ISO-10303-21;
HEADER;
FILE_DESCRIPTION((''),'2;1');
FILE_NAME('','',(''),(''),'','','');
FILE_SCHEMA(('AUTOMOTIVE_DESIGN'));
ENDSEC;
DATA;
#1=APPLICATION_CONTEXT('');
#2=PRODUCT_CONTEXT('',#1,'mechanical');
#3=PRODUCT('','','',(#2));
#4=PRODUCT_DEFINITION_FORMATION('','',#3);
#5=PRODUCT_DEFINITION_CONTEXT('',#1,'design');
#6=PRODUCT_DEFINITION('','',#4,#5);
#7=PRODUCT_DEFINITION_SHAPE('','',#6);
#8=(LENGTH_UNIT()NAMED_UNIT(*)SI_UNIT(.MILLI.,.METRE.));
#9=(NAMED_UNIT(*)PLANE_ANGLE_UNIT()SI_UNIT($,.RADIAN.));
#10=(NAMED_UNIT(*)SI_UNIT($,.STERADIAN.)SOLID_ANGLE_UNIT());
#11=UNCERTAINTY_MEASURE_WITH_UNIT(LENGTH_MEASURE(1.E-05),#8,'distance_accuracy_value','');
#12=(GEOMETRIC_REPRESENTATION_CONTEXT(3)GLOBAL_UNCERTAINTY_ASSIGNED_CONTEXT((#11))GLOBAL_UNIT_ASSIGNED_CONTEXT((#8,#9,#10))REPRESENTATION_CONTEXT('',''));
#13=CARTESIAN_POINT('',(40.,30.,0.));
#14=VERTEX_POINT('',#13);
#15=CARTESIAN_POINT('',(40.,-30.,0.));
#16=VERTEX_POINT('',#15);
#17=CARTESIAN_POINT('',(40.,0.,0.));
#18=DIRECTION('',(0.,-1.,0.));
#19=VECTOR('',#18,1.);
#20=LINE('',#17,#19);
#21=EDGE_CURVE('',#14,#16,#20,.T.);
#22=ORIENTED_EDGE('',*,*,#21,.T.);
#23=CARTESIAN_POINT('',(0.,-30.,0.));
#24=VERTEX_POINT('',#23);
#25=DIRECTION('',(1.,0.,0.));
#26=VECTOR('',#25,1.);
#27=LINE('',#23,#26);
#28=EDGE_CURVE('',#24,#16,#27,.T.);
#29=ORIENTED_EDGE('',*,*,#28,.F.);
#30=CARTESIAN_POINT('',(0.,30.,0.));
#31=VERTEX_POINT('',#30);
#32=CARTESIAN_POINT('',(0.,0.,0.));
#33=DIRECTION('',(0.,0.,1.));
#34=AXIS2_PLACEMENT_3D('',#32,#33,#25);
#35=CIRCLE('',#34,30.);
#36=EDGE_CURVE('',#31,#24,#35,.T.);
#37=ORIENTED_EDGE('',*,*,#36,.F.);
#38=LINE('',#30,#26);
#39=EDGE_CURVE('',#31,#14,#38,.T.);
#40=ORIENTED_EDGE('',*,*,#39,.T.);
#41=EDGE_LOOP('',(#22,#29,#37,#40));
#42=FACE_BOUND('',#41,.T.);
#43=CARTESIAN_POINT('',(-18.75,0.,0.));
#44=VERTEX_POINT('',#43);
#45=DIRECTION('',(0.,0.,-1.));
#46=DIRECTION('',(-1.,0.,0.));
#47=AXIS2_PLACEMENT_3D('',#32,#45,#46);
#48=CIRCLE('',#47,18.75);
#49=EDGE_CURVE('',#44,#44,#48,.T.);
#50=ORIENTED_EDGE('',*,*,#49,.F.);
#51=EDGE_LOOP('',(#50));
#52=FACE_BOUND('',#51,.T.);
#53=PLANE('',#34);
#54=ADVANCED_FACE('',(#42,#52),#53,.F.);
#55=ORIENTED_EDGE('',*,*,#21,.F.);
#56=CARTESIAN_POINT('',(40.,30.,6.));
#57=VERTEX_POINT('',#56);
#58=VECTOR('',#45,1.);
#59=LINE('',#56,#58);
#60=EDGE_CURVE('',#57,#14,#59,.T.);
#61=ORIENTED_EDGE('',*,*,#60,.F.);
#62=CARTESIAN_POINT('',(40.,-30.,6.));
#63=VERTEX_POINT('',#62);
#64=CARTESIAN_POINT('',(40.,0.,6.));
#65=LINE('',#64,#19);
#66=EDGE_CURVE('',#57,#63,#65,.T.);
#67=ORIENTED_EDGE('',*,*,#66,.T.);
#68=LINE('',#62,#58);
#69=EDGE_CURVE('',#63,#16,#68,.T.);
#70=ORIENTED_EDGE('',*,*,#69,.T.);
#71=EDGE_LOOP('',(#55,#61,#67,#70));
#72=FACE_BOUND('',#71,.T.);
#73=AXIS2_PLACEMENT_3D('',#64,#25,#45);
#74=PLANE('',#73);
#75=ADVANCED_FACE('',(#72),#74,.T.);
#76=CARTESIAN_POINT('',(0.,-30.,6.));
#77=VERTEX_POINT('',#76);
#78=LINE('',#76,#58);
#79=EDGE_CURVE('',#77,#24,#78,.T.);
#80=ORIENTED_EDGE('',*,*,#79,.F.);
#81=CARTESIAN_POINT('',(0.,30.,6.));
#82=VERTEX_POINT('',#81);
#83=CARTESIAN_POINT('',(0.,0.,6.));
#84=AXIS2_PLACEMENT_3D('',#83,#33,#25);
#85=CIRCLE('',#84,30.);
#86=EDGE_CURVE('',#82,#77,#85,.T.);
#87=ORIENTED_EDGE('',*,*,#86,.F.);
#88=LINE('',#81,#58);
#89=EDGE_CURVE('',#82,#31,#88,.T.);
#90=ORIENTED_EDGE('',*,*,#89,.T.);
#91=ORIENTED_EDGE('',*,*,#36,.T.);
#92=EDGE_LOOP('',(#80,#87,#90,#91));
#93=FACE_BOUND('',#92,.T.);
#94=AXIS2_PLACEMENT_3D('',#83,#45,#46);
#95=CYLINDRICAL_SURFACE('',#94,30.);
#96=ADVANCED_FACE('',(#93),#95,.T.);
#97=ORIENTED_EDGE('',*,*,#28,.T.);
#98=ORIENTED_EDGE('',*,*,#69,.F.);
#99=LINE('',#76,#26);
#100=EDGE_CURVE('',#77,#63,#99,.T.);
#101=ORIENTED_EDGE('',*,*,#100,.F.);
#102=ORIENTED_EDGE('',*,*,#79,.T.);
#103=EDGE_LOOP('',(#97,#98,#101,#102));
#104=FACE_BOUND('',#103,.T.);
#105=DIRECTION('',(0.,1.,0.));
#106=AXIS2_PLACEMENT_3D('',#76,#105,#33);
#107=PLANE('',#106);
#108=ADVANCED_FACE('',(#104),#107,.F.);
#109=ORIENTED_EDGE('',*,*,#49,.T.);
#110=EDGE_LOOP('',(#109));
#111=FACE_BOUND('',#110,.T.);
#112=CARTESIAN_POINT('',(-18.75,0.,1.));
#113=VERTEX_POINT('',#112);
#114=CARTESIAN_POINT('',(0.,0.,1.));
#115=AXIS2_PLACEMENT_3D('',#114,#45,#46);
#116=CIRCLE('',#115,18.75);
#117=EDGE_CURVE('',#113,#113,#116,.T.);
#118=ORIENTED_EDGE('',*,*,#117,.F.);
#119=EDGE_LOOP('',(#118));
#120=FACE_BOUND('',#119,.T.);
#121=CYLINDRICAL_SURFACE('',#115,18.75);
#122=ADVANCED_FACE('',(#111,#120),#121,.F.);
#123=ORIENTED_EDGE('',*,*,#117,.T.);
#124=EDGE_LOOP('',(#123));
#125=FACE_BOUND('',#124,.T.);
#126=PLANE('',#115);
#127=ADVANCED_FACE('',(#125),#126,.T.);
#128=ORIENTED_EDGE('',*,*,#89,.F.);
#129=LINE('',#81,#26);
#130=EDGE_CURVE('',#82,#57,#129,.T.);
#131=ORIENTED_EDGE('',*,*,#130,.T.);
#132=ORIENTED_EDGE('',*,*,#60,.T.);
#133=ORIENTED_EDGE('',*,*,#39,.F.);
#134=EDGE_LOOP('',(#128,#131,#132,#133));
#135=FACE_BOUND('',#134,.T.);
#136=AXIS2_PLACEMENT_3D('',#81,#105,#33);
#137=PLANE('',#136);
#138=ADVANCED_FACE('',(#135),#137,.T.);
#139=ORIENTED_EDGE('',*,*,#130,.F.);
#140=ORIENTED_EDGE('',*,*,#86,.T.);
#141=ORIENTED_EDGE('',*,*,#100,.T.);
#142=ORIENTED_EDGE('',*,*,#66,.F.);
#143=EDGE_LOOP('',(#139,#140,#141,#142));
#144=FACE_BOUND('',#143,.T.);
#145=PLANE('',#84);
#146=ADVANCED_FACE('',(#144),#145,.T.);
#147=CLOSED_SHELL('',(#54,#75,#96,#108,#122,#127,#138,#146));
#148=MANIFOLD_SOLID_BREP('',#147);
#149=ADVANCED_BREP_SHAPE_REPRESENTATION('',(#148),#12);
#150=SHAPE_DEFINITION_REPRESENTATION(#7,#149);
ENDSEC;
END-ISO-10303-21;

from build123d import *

# Parameters (mm, degrees)
EXTRUDE_1_DEPTH     = 6
SKETCH_2_R          = 18.75
CUT_EXTRUDE_1_DEPTH = 1


with BuildPart() as part:
    # 草图1 → 凸台-拉伸1 (new body)
    with BuildSketch(Plane.XY):
        with BuildLine():
            Line((0, 30), (40, 30))
            Line((40, 30), (40, -30))
            Line((40, -30), (0, -30))
            ThreePointArc((0, -30), (-30, 0), (0, 30))
        make_face()
    extrude(amount=EXTRUDE_1_DEPTH)

    # 草图2 → 切除-拉伸1 (cut)
    with BuildSketch(Plane(origin=(0, 0, 0), x_dir=(-1, 0, 0), z_dir=(0, 0, -1))):
        Circle(SKETCH_2_R)
    extrude(amount=-CUT_EXTRUDE_1_DEPTH, mode=Mode.SUBTRACT)


solid = part.part
